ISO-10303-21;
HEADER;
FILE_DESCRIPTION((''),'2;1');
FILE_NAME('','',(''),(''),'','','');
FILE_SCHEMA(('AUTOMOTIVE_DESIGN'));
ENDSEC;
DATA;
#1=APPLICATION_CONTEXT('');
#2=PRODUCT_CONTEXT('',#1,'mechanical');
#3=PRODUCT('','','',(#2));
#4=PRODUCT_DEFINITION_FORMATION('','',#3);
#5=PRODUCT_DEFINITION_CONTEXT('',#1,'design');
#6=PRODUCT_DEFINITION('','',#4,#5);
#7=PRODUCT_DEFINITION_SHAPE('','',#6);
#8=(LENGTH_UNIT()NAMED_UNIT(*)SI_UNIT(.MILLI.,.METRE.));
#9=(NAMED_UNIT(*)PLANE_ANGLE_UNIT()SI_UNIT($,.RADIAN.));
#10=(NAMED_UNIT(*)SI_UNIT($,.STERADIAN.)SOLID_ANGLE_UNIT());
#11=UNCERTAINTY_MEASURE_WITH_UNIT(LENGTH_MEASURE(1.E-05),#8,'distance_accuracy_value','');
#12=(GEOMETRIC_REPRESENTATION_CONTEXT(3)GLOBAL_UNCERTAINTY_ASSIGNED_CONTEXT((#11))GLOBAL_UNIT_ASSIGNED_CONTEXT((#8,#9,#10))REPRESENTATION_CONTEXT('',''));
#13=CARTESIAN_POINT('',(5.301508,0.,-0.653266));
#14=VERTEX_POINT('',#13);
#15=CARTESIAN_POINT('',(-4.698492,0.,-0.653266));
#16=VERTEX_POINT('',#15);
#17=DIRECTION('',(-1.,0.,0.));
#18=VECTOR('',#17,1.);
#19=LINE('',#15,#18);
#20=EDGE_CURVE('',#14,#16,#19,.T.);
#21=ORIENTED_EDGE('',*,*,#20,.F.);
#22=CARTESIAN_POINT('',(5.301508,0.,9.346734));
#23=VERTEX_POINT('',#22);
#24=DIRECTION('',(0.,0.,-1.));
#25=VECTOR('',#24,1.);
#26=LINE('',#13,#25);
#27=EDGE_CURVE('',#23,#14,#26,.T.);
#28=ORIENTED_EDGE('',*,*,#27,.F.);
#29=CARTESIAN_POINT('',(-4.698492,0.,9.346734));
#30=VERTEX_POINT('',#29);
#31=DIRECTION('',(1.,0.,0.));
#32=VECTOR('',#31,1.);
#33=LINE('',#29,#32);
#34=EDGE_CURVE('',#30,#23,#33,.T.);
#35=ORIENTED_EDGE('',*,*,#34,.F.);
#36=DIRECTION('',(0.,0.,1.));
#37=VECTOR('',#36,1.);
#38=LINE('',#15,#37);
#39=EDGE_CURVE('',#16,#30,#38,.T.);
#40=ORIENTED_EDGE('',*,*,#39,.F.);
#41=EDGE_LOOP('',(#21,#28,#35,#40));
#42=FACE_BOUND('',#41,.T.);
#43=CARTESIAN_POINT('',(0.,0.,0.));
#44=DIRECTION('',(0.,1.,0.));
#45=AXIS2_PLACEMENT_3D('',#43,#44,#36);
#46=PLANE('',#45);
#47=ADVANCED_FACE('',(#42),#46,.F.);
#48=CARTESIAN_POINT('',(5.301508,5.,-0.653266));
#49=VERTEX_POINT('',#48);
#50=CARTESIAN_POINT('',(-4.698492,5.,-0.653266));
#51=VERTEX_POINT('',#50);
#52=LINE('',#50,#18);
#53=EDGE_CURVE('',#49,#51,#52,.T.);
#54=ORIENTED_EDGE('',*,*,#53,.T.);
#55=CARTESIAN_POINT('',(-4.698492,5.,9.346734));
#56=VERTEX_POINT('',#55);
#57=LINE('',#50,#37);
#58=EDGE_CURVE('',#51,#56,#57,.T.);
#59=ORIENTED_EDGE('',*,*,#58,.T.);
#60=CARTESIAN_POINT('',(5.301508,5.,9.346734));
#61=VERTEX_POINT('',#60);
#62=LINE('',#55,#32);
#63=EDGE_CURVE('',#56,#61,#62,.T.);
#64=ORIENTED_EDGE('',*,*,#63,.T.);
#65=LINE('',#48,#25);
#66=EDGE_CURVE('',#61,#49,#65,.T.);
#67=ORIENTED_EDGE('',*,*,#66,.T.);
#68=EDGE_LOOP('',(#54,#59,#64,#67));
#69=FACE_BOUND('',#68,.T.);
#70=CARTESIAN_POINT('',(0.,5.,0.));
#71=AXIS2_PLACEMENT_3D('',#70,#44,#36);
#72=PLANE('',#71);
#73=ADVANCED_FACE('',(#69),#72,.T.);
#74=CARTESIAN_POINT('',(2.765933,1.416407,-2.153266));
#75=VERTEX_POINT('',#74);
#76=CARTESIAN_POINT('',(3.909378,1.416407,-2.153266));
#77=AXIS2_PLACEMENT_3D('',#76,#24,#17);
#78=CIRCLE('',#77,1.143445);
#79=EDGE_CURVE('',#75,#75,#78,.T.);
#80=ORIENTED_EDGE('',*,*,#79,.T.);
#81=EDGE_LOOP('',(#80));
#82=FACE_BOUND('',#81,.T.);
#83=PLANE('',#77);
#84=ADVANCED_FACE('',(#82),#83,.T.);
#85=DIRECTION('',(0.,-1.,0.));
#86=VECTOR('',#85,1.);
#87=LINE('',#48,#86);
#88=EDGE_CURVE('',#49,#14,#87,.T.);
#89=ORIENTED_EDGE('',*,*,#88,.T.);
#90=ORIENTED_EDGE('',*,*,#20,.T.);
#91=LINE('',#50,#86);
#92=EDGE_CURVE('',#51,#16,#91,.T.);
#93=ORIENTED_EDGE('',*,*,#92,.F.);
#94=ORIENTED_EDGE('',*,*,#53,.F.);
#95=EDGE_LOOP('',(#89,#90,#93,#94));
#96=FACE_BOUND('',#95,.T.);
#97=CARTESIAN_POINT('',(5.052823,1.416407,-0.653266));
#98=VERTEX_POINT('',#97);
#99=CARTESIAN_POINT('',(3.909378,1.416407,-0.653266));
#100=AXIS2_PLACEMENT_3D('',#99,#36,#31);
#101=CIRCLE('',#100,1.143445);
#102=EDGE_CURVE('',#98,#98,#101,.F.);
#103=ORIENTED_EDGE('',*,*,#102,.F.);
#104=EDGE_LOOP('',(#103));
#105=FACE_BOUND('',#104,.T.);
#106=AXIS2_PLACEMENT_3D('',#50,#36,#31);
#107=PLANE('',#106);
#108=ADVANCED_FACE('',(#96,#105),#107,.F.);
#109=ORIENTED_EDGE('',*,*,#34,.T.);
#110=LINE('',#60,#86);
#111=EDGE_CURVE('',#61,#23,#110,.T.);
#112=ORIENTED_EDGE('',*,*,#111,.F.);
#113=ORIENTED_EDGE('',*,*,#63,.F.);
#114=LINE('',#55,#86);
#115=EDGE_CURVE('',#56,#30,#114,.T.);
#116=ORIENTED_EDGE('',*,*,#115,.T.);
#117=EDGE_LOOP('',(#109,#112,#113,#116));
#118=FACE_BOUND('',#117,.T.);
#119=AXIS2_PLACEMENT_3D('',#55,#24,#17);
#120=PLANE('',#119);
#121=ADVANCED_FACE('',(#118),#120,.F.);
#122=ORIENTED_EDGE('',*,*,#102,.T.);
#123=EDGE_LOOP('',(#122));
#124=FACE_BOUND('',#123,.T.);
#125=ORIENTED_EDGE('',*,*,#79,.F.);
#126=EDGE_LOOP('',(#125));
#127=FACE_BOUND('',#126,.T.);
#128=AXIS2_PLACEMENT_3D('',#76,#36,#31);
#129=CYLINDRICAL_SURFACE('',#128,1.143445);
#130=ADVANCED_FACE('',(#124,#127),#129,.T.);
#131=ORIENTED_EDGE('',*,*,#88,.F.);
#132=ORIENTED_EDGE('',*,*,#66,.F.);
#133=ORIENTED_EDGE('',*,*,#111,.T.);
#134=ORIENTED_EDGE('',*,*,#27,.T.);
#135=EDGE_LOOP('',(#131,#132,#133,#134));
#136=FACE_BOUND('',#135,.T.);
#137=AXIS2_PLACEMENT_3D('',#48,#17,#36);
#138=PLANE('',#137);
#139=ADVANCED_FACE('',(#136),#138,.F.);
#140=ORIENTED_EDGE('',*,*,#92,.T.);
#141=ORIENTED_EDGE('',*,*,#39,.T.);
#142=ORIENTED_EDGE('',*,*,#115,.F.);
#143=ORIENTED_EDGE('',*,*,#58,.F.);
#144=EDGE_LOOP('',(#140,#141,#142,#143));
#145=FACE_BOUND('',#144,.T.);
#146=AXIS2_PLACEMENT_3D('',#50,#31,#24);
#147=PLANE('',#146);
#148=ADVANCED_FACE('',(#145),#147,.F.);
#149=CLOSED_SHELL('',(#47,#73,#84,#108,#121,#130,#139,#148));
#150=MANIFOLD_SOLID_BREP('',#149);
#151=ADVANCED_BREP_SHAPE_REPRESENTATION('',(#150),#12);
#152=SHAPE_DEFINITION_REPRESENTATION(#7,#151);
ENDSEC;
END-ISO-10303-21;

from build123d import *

# Parameters (mm, degrees)
SKETCH1_W           = 10
SKETCH1_H           = 10
BOSS_EXTRUDE1_DEPTH = 5
SKETCH2_R           = 1.143445087
BOSS_EXTRUDE2_DEPTH = 1.5


with BuildPart() as part:
    # Sketch1 → Boss-Extrude1 (new body)
    with BuildSketch(Plane(origin=(0, 0, 0), x_dir=(1, 0, 0), z_dir=(0, 1, 0))):
        with Locations((0.301507538, -4.346733668)):
            Rectangle(SKETCH1_W, SKETCH1_H)
    extrude(amount=BOSS_EXTRUDE1_DEPTH)

    # Sketch2 → Boss-Extrude2 (add)
    with BuildSketch(Plane(origin=(0, 0, -0.653266332), x_dir=(-1, 0, 0), z_dir=(0, 0, -1))):
        with Locations((-3.909378049, 1.416407491)):
            Circle(SKETCH2_R)
    extrude(amount=BOSS_EXTRUDE2_DEPTH)


solid = part.part
